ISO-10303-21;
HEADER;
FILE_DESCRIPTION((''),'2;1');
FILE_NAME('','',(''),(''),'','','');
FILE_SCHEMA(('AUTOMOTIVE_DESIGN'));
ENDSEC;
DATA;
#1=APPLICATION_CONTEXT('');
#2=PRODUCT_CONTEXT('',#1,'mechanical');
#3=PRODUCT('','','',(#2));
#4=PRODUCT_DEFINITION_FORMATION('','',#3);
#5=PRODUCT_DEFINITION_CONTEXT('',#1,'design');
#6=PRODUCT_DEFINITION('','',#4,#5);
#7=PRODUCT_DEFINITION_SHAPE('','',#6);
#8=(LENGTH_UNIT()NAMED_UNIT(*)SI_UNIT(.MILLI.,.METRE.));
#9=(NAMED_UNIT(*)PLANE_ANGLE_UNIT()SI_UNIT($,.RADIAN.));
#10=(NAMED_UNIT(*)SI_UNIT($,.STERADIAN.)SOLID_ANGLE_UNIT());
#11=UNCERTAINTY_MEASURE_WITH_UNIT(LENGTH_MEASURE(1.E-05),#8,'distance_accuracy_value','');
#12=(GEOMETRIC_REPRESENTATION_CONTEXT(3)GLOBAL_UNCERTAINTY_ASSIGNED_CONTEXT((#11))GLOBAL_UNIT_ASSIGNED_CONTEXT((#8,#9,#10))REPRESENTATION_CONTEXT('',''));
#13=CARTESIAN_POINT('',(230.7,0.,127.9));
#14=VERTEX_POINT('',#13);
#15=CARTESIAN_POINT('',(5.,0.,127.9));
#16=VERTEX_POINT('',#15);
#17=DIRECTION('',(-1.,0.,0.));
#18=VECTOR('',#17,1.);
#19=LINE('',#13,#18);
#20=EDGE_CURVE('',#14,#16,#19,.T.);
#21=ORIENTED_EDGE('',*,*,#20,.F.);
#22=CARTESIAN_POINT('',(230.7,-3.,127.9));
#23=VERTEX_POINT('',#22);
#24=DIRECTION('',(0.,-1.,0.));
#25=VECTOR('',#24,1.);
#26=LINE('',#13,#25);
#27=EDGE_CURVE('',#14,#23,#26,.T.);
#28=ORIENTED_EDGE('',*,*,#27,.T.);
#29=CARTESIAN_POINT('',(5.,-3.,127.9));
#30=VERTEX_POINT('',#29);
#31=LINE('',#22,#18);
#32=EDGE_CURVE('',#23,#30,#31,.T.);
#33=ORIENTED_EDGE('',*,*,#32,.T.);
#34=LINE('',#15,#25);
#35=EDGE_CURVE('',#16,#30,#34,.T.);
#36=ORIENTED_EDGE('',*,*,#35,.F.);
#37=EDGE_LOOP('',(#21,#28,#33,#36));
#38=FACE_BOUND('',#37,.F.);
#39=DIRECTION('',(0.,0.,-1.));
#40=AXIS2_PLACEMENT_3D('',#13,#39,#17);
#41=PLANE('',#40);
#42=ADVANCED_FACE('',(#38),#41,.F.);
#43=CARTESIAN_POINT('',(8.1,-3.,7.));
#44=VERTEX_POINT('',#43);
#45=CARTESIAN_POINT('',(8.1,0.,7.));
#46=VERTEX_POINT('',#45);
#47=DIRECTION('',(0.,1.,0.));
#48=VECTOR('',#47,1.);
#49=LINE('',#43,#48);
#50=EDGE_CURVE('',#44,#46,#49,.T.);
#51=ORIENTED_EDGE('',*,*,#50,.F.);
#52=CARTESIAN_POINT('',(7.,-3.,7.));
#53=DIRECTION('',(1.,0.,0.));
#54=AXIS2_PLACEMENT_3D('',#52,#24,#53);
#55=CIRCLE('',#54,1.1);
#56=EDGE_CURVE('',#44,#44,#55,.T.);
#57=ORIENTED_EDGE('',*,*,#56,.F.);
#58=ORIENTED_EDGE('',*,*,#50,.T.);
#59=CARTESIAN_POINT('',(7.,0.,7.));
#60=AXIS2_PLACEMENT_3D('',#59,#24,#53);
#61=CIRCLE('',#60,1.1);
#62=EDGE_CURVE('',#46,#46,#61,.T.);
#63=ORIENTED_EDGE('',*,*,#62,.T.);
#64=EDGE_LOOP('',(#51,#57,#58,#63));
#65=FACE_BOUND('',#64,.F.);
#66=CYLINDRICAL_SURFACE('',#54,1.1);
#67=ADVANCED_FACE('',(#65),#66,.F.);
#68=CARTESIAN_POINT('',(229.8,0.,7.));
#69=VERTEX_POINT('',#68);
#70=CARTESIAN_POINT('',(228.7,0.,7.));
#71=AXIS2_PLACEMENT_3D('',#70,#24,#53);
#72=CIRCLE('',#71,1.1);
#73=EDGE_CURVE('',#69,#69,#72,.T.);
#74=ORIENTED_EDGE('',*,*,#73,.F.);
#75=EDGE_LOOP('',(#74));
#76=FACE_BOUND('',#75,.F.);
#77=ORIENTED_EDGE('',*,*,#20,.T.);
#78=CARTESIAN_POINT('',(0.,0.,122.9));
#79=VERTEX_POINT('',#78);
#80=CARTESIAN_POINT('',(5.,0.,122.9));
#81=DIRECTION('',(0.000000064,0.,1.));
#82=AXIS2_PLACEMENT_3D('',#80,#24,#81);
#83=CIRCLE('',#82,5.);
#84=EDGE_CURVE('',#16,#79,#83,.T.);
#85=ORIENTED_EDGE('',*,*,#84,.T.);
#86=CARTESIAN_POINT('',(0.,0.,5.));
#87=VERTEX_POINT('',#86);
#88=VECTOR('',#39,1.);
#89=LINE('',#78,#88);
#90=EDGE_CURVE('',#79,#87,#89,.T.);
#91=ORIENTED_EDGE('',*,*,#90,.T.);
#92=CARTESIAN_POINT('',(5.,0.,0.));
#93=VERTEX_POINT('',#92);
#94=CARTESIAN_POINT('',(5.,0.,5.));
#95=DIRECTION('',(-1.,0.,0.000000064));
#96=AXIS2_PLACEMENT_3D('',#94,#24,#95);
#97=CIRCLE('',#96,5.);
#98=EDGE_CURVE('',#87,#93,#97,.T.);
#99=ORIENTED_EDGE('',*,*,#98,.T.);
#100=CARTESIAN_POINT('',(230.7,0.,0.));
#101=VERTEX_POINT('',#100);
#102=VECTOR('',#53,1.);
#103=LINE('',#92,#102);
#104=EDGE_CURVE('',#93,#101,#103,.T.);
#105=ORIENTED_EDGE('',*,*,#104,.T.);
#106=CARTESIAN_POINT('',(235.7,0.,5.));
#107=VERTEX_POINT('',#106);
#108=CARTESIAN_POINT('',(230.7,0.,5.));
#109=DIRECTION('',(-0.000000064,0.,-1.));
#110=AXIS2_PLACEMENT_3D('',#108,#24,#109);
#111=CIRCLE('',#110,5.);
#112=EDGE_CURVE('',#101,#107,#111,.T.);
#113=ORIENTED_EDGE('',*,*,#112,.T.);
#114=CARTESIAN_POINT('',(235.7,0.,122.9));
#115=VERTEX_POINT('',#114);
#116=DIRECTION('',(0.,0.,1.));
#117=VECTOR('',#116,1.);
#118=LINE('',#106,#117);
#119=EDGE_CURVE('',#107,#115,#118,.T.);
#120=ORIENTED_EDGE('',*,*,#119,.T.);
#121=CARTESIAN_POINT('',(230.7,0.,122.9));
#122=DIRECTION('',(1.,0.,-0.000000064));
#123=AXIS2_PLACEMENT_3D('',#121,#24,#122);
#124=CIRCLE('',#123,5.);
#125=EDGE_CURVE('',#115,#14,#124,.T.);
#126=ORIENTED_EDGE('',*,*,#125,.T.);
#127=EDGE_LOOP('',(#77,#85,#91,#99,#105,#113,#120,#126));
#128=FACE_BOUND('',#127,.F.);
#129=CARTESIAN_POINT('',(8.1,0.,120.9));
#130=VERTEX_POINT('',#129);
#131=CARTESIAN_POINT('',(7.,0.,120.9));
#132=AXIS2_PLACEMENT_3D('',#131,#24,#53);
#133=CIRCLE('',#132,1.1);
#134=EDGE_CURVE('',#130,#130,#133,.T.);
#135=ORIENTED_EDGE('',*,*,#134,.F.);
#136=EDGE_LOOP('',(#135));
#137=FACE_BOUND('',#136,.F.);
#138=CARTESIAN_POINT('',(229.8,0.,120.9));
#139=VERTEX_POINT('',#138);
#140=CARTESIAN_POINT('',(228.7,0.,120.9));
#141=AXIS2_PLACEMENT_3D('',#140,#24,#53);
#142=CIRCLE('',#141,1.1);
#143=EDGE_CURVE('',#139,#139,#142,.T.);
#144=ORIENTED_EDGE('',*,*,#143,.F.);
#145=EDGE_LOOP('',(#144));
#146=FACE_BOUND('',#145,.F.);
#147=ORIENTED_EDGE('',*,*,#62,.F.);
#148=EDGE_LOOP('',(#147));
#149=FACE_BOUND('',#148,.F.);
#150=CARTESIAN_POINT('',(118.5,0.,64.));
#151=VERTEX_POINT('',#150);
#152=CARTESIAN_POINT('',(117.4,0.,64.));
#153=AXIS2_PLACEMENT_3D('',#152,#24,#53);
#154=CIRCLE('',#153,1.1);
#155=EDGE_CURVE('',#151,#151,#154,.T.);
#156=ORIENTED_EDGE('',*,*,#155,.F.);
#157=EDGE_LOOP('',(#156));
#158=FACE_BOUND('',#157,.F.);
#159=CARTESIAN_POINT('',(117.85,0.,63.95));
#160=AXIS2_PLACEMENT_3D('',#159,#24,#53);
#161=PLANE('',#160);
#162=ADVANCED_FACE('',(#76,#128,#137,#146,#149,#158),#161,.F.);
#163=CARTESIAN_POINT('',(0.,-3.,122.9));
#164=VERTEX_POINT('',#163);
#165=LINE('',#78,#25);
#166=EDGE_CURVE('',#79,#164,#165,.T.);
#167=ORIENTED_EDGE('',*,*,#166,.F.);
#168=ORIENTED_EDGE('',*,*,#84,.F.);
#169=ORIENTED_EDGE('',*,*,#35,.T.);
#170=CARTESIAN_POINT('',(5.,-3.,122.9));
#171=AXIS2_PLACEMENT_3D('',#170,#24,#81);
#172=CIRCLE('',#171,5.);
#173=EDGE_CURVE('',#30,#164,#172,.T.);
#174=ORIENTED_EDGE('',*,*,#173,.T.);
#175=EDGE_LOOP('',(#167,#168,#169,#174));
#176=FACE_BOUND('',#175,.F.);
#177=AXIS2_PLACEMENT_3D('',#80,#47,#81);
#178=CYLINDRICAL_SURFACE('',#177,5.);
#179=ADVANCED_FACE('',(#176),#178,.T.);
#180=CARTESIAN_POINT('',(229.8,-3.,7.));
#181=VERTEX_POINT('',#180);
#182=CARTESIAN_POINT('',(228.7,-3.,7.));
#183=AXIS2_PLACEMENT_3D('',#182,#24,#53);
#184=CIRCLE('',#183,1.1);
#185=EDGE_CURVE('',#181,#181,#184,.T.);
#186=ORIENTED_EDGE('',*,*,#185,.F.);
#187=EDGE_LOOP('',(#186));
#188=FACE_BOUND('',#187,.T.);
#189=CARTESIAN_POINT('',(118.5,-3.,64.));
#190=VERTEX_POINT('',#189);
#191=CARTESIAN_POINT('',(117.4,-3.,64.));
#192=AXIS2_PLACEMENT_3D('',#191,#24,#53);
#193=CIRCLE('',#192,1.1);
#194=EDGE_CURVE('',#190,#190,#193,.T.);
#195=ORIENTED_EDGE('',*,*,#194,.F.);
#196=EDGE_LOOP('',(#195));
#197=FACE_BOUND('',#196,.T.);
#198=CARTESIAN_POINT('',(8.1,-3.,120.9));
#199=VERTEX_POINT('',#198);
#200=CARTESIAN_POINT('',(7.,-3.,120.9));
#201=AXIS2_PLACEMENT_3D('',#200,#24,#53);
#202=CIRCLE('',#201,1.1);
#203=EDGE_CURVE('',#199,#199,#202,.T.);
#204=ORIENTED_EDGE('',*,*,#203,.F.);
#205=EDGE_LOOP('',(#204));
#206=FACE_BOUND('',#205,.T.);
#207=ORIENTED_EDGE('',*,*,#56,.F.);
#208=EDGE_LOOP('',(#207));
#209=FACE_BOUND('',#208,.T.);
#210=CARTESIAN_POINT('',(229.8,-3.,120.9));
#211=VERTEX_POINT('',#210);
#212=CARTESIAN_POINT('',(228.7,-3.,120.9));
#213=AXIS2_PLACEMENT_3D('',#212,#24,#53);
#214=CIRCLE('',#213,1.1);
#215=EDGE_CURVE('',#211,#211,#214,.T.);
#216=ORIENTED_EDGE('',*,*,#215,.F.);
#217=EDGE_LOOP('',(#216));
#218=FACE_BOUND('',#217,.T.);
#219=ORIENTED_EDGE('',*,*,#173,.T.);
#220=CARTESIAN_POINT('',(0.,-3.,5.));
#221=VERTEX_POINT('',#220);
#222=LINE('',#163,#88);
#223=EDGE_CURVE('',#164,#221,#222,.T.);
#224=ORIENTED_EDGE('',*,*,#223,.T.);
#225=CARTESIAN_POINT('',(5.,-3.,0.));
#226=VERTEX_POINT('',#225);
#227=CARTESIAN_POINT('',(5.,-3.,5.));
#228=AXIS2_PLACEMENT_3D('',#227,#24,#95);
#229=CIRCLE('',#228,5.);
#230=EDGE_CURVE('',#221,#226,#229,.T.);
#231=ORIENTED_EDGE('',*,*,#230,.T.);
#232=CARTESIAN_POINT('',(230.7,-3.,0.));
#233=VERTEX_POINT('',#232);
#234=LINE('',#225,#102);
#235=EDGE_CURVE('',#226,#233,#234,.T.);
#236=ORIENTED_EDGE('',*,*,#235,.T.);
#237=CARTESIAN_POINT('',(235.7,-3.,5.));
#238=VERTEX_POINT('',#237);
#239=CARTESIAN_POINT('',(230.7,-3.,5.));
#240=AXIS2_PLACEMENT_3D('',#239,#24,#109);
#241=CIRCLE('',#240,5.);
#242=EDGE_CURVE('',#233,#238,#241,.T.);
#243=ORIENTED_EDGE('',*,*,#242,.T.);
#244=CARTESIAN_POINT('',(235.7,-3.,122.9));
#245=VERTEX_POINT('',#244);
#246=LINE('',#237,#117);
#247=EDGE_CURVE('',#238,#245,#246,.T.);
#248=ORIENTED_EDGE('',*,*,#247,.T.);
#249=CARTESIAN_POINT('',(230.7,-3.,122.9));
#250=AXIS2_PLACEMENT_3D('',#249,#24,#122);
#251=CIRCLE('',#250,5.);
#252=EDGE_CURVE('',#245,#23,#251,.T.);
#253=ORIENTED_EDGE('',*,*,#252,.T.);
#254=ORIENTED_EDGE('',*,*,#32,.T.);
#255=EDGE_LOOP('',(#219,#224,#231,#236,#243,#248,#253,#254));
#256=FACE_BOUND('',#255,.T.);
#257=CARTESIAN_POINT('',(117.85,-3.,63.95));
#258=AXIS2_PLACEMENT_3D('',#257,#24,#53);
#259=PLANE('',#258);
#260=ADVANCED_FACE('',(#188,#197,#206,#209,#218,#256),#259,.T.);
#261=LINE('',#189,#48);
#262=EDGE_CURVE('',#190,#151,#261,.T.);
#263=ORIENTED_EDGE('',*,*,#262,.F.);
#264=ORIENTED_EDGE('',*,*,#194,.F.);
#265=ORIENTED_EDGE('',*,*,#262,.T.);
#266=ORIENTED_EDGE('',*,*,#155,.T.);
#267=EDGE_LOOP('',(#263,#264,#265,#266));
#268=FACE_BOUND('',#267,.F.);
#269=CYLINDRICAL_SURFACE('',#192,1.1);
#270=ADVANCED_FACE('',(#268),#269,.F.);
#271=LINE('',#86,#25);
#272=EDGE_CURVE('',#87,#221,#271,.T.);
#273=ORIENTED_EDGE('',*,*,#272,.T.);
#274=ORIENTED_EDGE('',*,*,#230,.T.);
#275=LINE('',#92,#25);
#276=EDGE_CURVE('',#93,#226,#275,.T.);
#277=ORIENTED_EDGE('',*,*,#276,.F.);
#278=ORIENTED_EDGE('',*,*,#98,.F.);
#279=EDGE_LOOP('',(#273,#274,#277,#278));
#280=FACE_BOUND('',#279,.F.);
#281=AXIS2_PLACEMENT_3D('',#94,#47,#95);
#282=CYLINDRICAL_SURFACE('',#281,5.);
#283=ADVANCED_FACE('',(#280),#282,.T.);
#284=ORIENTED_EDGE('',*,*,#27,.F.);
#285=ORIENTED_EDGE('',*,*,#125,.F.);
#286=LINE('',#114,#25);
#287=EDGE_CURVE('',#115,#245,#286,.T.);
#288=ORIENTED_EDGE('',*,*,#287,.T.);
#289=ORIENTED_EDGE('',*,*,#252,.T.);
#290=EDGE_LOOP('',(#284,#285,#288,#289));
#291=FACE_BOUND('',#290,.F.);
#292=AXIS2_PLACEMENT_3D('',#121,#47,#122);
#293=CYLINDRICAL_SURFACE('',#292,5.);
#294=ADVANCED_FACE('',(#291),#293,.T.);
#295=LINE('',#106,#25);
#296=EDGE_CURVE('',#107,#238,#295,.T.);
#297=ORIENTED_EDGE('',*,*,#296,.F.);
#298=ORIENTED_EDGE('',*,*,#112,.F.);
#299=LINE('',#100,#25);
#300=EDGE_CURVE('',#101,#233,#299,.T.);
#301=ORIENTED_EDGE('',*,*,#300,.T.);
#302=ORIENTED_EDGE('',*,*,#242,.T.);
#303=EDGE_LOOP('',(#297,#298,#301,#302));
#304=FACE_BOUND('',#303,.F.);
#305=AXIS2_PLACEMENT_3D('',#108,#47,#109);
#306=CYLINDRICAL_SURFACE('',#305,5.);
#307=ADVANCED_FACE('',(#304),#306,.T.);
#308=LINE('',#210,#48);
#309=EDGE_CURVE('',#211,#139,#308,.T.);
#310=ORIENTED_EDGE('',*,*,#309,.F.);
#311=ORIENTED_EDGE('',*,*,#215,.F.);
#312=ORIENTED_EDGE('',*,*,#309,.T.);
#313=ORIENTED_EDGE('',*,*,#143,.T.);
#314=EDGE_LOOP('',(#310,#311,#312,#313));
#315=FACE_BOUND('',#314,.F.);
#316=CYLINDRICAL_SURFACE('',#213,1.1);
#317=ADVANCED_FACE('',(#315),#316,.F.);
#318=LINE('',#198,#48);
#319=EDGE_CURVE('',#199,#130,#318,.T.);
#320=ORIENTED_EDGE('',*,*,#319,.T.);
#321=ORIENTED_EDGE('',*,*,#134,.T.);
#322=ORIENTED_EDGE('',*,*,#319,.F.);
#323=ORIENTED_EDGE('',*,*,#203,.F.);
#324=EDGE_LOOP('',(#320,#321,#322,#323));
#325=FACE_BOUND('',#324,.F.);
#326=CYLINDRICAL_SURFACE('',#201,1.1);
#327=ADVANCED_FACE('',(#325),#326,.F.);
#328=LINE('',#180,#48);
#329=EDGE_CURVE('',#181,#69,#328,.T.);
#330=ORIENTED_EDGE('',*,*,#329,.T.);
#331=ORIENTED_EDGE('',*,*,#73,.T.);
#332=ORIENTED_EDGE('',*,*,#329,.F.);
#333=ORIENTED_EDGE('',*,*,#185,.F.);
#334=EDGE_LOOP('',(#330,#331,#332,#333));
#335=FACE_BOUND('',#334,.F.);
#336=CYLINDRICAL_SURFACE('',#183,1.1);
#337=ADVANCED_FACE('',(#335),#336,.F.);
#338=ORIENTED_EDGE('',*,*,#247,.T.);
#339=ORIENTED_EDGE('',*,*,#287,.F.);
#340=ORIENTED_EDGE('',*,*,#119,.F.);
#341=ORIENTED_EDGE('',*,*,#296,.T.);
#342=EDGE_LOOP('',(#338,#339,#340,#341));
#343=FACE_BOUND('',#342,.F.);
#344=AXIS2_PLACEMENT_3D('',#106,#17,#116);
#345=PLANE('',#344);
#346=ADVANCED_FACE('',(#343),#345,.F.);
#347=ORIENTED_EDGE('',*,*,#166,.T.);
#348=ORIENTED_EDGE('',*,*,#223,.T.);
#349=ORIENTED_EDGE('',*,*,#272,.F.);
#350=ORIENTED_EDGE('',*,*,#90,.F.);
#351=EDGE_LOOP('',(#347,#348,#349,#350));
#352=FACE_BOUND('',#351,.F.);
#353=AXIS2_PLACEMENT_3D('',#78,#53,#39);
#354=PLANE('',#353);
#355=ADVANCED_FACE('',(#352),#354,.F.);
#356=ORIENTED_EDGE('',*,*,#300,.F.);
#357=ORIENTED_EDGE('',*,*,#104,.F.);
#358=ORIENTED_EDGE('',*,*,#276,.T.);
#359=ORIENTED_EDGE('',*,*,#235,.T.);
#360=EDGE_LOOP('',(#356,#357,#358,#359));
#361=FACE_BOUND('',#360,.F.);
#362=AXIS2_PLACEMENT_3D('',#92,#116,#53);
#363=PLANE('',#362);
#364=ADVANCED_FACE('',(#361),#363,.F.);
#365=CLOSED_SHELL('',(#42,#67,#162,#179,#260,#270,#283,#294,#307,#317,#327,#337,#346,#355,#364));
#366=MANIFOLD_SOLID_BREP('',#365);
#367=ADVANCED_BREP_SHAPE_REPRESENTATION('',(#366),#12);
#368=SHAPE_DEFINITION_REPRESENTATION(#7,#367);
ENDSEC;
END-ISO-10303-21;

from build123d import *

# Parameters (mm, degrees)
F1_DEPTH = 3
F2_R     = 1.1
F3_DEPTH = 3.001


with BuildPart() as f1:
    # F0 (on Front) → F1 (new body)
    with BuildSketch(Plane.XZ):
        with BuildLine():
            ThreePointArc((0, 5), (1.464466, 1.464466), (5, 0))
            Line((5, 0), (230.7, 0))
            ThreePointArc((230.7, 0), (234.235534, 1.464466), (235.7, 5))
            Line((235.7, 5), (235.7, 122.9))
            ThreePointArc((235.7, 122.9), (234.235534, 126.435534), (230.7, 127.9))
            Line((230.7, 127.9), (5, 127.9))
            ThreePointArc((5, 127.9), (1.464466, 126.435534), (0, 122.9))
            Line((0, 122.9), (0, 5))
        make_face()
    extrude(amount=F1_DEPTH)

    # F2 (on face) → F3 (cut, through all)
    with BuildSketch(Plane.XZ.offset(3)):
        with Locations((7, 7)):
            Circle(F2_R)
        with Locations((7, 120.9)):
            Circle(F2_R)
        with Locations((228.7, 120.9)):
            Circle(F2_R)
        with Locations((228.7, 7)):
            Circle(F2_R)
        with Locations((117.4, 64)):
            Circle(F2_R)
    extrude(amount=-F3_DEPTH, mode=Mode.SUBTRACT)


solid = f1.part
